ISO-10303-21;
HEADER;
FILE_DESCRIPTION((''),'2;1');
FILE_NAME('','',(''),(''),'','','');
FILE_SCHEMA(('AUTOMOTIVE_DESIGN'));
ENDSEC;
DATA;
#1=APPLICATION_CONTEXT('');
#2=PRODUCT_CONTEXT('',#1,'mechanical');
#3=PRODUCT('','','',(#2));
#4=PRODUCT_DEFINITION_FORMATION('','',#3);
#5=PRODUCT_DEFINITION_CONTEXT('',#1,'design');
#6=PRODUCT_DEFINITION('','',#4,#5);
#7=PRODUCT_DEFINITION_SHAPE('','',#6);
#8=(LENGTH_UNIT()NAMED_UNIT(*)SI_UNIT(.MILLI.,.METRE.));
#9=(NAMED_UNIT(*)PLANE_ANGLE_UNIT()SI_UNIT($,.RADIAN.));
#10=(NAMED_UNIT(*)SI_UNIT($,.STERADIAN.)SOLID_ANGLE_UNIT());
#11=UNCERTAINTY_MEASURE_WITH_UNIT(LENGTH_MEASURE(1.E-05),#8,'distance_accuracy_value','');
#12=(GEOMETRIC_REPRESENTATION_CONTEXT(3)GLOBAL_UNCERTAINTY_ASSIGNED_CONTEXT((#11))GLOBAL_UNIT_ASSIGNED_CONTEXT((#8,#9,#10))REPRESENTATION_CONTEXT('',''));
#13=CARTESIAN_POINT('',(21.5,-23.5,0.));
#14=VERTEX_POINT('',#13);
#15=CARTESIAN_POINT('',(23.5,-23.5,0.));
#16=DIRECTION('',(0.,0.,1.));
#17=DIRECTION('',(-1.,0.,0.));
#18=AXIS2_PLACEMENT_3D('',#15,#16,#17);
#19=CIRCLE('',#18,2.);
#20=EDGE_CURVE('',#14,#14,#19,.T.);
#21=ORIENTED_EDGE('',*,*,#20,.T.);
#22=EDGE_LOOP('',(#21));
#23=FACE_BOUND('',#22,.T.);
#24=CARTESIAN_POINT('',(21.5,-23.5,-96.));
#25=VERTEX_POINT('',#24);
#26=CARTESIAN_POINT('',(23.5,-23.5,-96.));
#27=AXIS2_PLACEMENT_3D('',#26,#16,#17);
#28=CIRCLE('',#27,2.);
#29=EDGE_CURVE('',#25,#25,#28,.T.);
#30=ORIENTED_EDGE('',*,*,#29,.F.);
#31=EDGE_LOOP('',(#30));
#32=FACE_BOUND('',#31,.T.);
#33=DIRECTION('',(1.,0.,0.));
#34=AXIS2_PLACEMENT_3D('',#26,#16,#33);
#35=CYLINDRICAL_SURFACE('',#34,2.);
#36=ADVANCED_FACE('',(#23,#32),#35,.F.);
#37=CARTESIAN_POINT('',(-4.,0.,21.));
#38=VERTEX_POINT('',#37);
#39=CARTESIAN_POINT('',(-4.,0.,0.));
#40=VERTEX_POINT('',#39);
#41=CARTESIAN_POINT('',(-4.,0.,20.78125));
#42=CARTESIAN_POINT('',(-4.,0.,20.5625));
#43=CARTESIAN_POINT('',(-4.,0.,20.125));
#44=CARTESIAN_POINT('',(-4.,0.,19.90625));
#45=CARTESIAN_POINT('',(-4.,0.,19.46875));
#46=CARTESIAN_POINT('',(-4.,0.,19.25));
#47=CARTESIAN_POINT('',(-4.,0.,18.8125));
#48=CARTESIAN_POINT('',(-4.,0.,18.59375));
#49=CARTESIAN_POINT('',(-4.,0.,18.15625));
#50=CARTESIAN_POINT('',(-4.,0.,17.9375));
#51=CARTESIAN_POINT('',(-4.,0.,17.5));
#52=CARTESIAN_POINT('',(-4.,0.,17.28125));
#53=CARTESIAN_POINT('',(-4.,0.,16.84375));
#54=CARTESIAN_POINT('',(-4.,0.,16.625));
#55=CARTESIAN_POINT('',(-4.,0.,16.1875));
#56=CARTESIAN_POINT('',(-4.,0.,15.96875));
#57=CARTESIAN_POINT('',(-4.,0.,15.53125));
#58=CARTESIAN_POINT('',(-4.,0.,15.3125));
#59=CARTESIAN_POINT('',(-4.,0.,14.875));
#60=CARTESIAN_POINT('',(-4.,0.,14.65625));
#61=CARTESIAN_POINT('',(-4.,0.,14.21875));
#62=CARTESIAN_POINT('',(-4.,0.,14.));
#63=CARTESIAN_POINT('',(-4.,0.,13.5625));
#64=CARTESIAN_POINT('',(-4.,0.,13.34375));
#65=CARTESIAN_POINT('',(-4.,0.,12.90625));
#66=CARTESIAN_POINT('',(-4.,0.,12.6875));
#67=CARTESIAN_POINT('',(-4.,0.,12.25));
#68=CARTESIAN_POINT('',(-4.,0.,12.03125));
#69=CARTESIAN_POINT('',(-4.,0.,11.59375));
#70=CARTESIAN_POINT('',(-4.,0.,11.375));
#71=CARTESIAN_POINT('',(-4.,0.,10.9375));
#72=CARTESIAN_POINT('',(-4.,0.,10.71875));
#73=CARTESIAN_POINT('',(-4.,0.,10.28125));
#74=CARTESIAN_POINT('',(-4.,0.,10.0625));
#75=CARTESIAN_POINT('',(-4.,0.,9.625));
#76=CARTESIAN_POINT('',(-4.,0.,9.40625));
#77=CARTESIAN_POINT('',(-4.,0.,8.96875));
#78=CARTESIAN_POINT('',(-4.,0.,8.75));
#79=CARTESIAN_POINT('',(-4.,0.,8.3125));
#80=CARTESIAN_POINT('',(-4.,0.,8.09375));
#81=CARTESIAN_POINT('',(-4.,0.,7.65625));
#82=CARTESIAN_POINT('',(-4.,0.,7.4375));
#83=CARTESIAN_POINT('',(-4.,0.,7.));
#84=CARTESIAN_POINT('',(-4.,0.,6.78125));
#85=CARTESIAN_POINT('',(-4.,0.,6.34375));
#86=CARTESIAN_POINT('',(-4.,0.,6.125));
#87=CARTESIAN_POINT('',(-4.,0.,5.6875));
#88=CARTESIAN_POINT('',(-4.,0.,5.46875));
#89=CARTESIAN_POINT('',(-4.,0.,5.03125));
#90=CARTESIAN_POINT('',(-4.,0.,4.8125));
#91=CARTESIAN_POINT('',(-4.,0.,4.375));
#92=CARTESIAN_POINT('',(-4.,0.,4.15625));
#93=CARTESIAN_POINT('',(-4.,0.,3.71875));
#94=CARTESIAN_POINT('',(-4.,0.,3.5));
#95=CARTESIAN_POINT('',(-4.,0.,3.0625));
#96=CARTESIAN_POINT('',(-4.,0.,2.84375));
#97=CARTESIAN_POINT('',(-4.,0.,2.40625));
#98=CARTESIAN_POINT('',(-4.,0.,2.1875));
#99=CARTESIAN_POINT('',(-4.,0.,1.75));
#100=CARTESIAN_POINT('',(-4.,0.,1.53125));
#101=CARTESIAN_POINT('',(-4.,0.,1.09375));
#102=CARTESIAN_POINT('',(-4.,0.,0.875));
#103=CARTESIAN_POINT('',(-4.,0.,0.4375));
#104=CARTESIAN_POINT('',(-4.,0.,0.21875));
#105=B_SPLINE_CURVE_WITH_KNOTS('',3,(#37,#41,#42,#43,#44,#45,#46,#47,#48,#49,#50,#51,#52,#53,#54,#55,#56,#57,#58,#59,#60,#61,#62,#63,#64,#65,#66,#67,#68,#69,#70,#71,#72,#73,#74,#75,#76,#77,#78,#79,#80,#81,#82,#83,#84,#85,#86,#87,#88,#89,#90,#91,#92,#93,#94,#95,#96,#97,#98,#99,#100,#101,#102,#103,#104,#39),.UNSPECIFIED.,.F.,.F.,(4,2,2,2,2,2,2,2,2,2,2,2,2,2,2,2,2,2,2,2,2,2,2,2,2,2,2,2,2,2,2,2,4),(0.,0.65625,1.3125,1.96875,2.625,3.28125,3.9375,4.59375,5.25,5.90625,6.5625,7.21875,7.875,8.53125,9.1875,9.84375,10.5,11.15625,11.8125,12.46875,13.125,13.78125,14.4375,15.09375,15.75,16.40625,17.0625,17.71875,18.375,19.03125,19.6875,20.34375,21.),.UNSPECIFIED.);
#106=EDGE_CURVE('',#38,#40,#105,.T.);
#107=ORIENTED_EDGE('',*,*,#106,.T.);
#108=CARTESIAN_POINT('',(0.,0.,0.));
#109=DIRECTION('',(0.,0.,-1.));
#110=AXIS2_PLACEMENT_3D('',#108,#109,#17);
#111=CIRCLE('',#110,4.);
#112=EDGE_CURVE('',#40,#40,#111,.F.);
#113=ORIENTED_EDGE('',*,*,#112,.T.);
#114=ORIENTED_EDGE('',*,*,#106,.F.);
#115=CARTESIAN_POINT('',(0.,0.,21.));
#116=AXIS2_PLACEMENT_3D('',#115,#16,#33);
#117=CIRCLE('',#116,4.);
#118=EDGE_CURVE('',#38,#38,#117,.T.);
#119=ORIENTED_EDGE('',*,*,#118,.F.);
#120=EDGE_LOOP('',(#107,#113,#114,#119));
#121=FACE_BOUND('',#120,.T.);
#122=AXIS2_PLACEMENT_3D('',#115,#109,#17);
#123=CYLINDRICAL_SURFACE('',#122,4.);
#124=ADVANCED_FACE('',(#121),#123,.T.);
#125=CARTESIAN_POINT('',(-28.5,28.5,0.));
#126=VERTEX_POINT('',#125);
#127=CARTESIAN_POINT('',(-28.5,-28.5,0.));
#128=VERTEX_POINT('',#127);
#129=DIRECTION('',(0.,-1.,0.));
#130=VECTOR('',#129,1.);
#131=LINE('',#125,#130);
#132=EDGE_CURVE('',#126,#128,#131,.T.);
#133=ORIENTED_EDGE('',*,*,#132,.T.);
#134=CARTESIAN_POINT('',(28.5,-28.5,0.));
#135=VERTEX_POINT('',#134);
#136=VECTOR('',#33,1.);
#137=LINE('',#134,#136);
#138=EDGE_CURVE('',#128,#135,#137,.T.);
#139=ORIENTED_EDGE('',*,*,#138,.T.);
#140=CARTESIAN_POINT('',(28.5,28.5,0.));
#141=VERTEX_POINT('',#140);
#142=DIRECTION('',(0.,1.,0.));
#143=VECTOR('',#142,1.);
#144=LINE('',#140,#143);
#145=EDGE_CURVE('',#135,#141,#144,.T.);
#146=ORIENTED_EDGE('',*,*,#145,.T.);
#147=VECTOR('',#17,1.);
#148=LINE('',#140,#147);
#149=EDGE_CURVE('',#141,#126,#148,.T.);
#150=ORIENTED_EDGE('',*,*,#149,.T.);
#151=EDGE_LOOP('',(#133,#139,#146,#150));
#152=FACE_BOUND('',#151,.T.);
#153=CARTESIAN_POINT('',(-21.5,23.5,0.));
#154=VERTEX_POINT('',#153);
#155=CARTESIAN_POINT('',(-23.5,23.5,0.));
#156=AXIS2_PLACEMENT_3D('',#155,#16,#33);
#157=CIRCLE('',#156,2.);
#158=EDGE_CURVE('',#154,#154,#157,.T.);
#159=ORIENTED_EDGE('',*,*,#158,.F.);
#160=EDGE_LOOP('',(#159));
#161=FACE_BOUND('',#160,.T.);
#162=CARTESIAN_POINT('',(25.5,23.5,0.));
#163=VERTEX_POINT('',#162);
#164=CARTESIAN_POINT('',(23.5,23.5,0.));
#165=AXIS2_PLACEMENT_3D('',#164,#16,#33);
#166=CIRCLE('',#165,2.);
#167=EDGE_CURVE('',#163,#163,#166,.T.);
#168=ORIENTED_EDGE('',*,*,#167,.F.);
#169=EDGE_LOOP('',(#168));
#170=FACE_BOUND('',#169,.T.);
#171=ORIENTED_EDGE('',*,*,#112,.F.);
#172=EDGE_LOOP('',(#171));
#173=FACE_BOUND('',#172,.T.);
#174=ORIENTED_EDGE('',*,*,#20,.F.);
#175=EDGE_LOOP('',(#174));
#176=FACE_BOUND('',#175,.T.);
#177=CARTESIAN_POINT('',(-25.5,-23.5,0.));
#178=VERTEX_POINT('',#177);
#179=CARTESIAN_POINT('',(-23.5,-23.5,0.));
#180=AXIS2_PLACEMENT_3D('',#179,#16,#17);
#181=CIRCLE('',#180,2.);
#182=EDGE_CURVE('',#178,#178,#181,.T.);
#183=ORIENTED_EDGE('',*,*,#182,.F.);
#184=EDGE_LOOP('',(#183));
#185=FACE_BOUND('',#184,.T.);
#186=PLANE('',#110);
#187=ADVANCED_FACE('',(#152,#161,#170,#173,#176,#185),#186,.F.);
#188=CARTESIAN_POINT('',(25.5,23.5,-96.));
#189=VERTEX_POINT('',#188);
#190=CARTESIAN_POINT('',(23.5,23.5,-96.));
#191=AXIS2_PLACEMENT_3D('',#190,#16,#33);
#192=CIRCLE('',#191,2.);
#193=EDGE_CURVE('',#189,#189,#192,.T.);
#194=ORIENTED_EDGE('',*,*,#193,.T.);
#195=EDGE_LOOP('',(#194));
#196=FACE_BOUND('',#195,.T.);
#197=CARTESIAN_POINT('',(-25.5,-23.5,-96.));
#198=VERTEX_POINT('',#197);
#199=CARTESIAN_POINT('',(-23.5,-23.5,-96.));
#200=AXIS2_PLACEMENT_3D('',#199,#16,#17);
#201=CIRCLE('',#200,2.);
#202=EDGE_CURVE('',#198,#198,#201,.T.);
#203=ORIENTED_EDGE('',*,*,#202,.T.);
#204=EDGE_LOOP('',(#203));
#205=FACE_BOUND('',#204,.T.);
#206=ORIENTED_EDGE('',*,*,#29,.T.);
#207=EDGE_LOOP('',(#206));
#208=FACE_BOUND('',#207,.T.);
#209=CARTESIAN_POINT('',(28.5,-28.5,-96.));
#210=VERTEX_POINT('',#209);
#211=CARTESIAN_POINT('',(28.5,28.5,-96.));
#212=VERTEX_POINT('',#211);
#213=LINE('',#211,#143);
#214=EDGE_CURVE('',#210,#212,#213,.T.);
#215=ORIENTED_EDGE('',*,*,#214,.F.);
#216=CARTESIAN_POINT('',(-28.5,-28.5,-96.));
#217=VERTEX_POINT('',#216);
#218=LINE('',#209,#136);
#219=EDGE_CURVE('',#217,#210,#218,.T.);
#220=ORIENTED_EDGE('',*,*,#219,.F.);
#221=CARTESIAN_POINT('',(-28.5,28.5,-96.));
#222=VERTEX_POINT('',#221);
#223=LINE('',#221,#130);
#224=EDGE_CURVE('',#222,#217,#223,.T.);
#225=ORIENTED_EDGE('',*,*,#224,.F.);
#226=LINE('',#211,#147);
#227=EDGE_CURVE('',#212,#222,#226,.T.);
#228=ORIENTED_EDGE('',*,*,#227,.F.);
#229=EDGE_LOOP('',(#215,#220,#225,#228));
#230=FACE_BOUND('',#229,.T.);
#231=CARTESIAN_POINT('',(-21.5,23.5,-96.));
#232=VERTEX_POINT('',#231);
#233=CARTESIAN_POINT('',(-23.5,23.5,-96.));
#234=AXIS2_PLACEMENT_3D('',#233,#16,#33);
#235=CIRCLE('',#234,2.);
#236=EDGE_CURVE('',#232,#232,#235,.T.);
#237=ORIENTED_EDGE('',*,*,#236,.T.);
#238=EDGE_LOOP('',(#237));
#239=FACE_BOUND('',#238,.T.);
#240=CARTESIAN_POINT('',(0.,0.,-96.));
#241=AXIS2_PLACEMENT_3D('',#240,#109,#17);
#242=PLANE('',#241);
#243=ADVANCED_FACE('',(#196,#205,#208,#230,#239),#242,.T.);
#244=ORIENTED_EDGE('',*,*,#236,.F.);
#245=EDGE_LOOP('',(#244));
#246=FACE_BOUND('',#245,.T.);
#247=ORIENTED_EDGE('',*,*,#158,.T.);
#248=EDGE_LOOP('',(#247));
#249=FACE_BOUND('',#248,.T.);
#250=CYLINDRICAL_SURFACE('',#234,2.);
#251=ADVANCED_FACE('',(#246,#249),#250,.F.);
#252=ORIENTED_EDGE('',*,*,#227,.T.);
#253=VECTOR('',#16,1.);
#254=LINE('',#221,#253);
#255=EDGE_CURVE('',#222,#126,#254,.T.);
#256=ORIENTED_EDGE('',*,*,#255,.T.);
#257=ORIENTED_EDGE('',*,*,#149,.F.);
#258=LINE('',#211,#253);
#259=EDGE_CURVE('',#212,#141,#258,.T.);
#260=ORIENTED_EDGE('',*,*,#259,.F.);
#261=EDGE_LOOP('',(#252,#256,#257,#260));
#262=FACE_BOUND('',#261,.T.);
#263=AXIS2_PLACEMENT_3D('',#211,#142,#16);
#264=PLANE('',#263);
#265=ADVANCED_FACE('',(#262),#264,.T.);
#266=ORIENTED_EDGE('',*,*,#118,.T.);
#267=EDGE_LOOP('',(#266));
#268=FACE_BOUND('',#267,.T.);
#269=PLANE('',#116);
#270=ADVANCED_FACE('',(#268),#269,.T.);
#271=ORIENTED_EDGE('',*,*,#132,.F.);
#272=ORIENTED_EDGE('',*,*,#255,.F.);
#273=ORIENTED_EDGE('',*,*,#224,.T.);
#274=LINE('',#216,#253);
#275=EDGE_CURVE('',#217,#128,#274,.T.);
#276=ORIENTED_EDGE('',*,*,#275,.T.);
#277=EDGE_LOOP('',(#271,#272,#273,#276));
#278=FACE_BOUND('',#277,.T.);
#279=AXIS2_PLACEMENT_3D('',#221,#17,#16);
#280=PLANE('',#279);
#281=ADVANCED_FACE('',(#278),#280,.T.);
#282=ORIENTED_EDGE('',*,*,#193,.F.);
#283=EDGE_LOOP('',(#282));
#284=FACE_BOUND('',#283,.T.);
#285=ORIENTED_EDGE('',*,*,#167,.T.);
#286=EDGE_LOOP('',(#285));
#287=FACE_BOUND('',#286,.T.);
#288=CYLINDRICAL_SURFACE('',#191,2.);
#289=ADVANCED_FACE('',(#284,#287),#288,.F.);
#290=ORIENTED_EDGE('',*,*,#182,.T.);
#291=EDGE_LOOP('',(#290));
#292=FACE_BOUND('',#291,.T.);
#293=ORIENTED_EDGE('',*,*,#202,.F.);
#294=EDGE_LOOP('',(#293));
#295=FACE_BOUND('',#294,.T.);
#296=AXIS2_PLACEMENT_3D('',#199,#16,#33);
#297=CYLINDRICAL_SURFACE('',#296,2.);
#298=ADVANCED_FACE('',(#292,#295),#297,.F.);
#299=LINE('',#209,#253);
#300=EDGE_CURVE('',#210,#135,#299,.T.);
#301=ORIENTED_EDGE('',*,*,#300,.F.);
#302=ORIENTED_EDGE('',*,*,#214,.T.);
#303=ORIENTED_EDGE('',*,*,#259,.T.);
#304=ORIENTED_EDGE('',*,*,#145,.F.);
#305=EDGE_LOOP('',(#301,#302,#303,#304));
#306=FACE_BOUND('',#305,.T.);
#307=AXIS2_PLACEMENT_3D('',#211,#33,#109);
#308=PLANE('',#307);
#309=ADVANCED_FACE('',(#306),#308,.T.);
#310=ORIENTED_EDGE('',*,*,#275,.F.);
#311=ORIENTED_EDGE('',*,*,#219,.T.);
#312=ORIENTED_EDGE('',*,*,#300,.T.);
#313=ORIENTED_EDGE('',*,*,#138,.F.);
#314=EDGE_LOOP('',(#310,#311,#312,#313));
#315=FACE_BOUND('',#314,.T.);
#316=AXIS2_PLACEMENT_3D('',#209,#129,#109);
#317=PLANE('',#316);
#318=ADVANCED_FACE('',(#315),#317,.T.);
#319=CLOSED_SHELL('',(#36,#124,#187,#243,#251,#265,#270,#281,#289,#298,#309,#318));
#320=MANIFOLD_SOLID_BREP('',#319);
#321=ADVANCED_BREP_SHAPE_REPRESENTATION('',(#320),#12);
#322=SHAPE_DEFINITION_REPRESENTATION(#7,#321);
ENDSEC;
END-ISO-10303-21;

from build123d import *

# Parameters (mm, degrees)
SKETCH_1_W      = 57
SKETCH_1_H      = 57
SKETCH_1_R      = 2
EXTRUDE_1_DEPTH = 96
SKETCH_2_R      = 4
EXTRUDE_2_DEPTH = 21


with BuildPart() as part:
    # 草圖1 → 填料-伸長1 (new body)
    with BuildSketch(Plane.XY):
        Rectangle(SKETCH_1_W, SKETCH_1_H)
        with Locations((-23.5, 23.5)):
            Circle(SKETCH_1_R, mode=Mode.SUBTRACT)
        with Locations((23.5, 23.5)):
            Circle(SKETCH_1_R, mode=Mode.SUBTRACT)
        with Locations(Location((23.5, -23.5, 0), (0, 0, 180))):
            Circle(SKETCH_1_R, mode=Mode.SUBTRACT)
        with Locations(Location((-23.5, -23.5, 0), (0, 0, 180))):
            Circle(SKETCH_1_R, mode=Mode.SUBTRACT)
    extrude(amount=-EXTRUDE_1_DEPTH)

    # 草圖2 → 填料-伸長2 (add)
    with BuildSketch(Plane.XY):
        with Locations(Location((0, 0, 0), (0, 0, 180))):
            Circle(SKETCH_2_R)
    extrude(amount=EXTRUDE_2_DEPTH)


solid = part.part
